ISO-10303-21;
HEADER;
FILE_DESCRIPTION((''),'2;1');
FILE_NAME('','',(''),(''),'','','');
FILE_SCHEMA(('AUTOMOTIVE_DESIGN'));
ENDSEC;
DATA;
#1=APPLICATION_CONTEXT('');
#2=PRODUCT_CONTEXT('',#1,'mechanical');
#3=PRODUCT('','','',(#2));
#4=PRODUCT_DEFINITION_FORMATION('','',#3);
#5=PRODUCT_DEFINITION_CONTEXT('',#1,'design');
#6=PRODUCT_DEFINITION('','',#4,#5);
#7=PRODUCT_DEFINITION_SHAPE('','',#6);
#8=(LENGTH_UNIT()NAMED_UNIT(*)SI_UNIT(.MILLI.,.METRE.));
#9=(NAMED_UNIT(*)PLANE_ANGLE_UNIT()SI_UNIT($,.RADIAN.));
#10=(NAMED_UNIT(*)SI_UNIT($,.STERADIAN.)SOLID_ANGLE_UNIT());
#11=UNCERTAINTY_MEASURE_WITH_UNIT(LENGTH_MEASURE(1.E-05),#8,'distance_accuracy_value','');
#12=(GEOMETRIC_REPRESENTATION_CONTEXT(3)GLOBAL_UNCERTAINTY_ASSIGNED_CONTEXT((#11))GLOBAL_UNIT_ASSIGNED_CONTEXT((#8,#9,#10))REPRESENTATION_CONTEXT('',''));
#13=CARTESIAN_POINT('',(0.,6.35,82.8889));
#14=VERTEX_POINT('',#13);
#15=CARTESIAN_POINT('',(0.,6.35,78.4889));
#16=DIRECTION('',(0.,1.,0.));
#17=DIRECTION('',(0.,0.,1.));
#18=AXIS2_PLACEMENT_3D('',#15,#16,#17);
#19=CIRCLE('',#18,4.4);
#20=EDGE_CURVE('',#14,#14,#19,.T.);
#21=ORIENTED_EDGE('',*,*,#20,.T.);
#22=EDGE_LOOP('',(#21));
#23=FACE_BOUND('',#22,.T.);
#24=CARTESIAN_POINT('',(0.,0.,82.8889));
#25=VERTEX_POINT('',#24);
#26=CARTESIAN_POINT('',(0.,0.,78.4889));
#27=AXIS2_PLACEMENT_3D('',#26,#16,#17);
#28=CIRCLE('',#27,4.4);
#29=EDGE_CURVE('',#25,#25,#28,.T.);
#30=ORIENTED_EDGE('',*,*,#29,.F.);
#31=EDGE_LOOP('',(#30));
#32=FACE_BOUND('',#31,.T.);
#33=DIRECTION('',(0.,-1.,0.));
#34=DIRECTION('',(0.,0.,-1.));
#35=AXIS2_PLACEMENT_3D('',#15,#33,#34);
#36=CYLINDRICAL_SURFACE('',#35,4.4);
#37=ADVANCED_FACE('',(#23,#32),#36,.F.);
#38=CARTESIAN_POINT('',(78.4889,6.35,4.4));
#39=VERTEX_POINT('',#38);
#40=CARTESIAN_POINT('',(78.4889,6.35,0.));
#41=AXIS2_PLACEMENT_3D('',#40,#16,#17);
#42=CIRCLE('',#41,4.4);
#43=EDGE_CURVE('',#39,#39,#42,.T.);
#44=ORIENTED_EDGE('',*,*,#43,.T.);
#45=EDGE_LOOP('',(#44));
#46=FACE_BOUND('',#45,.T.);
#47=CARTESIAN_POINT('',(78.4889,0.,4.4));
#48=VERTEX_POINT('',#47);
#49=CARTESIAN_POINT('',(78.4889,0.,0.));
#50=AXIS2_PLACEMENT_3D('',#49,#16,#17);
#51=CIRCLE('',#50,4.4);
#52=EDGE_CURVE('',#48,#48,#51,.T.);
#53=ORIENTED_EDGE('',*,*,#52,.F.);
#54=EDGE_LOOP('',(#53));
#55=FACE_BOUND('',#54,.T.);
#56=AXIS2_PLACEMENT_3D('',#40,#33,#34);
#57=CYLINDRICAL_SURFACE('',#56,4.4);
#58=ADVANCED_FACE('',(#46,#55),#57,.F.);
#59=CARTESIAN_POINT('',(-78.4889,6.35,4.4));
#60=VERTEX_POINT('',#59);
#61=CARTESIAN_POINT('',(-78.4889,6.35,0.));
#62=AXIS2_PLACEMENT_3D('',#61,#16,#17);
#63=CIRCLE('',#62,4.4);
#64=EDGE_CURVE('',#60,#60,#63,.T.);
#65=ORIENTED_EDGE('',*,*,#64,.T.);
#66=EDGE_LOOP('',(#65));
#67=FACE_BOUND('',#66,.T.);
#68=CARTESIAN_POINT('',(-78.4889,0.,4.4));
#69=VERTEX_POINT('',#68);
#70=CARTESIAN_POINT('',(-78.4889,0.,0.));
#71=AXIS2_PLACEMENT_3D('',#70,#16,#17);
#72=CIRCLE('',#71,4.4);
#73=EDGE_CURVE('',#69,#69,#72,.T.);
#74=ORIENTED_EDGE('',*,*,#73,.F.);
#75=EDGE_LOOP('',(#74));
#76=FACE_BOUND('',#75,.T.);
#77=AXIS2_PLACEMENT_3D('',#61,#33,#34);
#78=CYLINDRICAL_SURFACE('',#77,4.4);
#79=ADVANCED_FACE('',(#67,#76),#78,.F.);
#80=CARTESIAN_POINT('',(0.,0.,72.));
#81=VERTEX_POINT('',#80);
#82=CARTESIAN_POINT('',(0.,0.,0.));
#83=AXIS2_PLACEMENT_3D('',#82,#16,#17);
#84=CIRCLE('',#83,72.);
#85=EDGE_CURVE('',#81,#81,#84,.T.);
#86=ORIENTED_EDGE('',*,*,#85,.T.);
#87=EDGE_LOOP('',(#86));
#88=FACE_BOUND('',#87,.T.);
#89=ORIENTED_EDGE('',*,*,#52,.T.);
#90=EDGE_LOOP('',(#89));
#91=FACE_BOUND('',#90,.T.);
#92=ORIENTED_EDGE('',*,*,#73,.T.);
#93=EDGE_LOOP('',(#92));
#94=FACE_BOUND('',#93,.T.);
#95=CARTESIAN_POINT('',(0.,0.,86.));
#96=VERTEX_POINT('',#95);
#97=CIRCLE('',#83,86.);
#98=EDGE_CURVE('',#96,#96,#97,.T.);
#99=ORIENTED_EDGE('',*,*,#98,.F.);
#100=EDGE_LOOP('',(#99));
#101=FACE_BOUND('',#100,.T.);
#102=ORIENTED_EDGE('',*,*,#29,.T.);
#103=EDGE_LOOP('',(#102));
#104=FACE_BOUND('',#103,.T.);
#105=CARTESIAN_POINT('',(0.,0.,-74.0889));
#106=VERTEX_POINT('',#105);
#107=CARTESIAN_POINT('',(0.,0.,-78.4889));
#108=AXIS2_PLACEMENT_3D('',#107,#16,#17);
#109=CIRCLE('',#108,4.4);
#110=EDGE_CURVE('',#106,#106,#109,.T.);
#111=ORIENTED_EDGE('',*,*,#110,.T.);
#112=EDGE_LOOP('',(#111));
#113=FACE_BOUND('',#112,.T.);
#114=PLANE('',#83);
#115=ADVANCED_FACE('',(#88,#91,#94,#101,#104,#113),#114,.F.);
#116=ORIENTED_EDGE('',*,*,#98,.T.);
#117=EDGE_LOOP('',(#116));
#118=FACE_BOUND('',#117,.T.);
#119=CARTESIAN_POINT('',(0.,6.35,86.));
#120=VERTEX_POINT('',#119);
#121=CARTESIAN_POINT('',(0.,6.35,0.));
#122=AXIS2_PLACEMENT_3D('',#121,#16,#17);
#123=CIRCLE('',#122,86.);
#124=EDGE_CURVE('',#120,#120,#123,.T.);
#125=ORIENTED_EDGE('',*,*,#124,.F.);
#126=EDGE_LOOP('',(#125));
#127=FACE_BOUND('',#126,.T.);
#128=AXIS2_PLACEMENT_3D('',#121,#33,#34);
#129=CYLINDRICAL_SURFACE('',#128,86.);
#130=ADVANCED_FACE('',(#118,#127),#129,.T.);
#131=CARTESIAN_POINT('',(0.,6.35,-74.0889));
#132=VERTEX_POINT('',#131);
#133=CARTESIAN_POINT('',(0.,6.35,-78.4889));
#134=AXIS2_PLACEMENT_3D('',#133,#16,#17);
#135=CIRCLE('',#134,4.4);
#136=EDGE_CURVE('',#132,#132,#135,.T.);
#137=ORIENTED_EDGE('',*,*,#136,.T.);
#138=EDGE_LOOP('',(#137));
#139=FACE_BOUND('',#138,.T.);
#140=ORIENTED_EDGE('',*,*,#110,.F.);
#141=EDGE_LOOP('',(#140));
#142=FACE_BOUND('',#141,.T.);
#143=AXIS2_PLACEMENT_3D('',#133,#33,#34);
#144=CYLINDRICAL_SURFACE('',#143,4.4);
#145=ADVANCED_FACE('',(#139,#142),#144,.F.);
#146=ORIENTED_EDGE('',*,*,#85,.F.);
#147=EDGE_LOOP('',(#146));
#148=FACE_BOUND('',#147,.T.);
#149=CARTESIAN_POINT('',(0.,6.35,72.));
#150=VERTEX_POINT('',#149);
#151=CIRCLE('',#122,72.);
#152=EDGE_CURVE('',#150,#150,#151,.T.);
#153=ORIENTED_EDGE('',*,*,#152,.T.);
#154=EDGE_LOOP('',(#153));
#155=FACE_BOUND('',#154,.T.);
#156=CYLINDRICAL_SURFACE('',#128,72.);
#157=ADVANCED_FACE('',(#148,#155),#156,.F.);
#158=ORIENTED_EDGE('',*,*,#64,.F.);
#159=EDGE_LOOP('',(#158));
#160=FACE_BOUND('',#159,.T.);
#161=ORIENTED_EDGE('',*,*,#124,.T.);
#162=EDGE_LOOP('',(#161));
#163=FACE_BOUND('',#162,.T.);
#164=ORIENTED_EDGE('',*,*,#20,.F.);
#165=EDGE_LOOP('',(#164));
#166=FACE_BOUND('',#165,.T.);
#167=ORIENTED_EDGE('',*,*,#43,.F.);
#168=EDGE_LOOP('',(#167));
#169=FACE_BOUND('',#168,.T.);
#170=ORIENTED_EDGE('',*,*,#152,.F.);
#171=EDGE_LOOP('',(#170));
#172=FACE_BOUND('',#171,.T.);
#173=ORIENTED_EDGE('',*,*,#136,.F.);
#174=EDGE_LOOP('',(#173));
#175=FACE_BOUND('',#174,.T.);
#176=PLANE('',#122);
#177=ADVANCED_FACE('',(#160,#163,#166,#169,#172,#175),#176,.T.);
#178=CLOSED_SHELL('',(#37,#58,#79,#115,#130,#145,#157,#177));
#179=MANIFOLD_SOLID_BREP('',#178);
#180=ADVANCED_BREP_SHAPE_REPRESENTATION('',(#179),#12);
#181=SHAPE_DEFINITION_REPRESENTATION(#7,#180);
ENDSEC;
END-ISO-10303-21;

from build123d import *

# Parameters (mm, degrees)
SKETCH1_R           = 86
SKETCH1_R_2         = 72
SKETCH1_R_3         = 4.4
BOSS_EXTRUDE1_DEPTH = 6.35


with BuildPart() as part:
    # Sketch1 → Boss-Extrude1 (new body)
    with BuildSketch(Plane(origin=(0, 0, 0), x_dir=(1, 0, 0), z_dir=(0, 1, 0))):
        Circle(SKETCH1_R)
        Circle(SKETCH1_R_2, mode=Mode.SUBTRACT)
        with Locations((0, 78.4889)):
            Circle(SKETCH1_R_3, mode=Mode.SUBTRACT)
        with Locations((78.4889, 0)):
            Circle(SKETCH1_R_3, mode=Mode.SUBTRACT)
        with Locations((0, -78.4889)):
            Circle(SKETCH1_R_3, mode=Mode.SUBTRACT)
        with Locations((-78.4889, 0)):
            Circle(SKETCH1_R_3, mode=Mode.SUBTRACT)
    extrude(amount=BOSS_EXTRUDE1_DEPTH)


solid = part.part
